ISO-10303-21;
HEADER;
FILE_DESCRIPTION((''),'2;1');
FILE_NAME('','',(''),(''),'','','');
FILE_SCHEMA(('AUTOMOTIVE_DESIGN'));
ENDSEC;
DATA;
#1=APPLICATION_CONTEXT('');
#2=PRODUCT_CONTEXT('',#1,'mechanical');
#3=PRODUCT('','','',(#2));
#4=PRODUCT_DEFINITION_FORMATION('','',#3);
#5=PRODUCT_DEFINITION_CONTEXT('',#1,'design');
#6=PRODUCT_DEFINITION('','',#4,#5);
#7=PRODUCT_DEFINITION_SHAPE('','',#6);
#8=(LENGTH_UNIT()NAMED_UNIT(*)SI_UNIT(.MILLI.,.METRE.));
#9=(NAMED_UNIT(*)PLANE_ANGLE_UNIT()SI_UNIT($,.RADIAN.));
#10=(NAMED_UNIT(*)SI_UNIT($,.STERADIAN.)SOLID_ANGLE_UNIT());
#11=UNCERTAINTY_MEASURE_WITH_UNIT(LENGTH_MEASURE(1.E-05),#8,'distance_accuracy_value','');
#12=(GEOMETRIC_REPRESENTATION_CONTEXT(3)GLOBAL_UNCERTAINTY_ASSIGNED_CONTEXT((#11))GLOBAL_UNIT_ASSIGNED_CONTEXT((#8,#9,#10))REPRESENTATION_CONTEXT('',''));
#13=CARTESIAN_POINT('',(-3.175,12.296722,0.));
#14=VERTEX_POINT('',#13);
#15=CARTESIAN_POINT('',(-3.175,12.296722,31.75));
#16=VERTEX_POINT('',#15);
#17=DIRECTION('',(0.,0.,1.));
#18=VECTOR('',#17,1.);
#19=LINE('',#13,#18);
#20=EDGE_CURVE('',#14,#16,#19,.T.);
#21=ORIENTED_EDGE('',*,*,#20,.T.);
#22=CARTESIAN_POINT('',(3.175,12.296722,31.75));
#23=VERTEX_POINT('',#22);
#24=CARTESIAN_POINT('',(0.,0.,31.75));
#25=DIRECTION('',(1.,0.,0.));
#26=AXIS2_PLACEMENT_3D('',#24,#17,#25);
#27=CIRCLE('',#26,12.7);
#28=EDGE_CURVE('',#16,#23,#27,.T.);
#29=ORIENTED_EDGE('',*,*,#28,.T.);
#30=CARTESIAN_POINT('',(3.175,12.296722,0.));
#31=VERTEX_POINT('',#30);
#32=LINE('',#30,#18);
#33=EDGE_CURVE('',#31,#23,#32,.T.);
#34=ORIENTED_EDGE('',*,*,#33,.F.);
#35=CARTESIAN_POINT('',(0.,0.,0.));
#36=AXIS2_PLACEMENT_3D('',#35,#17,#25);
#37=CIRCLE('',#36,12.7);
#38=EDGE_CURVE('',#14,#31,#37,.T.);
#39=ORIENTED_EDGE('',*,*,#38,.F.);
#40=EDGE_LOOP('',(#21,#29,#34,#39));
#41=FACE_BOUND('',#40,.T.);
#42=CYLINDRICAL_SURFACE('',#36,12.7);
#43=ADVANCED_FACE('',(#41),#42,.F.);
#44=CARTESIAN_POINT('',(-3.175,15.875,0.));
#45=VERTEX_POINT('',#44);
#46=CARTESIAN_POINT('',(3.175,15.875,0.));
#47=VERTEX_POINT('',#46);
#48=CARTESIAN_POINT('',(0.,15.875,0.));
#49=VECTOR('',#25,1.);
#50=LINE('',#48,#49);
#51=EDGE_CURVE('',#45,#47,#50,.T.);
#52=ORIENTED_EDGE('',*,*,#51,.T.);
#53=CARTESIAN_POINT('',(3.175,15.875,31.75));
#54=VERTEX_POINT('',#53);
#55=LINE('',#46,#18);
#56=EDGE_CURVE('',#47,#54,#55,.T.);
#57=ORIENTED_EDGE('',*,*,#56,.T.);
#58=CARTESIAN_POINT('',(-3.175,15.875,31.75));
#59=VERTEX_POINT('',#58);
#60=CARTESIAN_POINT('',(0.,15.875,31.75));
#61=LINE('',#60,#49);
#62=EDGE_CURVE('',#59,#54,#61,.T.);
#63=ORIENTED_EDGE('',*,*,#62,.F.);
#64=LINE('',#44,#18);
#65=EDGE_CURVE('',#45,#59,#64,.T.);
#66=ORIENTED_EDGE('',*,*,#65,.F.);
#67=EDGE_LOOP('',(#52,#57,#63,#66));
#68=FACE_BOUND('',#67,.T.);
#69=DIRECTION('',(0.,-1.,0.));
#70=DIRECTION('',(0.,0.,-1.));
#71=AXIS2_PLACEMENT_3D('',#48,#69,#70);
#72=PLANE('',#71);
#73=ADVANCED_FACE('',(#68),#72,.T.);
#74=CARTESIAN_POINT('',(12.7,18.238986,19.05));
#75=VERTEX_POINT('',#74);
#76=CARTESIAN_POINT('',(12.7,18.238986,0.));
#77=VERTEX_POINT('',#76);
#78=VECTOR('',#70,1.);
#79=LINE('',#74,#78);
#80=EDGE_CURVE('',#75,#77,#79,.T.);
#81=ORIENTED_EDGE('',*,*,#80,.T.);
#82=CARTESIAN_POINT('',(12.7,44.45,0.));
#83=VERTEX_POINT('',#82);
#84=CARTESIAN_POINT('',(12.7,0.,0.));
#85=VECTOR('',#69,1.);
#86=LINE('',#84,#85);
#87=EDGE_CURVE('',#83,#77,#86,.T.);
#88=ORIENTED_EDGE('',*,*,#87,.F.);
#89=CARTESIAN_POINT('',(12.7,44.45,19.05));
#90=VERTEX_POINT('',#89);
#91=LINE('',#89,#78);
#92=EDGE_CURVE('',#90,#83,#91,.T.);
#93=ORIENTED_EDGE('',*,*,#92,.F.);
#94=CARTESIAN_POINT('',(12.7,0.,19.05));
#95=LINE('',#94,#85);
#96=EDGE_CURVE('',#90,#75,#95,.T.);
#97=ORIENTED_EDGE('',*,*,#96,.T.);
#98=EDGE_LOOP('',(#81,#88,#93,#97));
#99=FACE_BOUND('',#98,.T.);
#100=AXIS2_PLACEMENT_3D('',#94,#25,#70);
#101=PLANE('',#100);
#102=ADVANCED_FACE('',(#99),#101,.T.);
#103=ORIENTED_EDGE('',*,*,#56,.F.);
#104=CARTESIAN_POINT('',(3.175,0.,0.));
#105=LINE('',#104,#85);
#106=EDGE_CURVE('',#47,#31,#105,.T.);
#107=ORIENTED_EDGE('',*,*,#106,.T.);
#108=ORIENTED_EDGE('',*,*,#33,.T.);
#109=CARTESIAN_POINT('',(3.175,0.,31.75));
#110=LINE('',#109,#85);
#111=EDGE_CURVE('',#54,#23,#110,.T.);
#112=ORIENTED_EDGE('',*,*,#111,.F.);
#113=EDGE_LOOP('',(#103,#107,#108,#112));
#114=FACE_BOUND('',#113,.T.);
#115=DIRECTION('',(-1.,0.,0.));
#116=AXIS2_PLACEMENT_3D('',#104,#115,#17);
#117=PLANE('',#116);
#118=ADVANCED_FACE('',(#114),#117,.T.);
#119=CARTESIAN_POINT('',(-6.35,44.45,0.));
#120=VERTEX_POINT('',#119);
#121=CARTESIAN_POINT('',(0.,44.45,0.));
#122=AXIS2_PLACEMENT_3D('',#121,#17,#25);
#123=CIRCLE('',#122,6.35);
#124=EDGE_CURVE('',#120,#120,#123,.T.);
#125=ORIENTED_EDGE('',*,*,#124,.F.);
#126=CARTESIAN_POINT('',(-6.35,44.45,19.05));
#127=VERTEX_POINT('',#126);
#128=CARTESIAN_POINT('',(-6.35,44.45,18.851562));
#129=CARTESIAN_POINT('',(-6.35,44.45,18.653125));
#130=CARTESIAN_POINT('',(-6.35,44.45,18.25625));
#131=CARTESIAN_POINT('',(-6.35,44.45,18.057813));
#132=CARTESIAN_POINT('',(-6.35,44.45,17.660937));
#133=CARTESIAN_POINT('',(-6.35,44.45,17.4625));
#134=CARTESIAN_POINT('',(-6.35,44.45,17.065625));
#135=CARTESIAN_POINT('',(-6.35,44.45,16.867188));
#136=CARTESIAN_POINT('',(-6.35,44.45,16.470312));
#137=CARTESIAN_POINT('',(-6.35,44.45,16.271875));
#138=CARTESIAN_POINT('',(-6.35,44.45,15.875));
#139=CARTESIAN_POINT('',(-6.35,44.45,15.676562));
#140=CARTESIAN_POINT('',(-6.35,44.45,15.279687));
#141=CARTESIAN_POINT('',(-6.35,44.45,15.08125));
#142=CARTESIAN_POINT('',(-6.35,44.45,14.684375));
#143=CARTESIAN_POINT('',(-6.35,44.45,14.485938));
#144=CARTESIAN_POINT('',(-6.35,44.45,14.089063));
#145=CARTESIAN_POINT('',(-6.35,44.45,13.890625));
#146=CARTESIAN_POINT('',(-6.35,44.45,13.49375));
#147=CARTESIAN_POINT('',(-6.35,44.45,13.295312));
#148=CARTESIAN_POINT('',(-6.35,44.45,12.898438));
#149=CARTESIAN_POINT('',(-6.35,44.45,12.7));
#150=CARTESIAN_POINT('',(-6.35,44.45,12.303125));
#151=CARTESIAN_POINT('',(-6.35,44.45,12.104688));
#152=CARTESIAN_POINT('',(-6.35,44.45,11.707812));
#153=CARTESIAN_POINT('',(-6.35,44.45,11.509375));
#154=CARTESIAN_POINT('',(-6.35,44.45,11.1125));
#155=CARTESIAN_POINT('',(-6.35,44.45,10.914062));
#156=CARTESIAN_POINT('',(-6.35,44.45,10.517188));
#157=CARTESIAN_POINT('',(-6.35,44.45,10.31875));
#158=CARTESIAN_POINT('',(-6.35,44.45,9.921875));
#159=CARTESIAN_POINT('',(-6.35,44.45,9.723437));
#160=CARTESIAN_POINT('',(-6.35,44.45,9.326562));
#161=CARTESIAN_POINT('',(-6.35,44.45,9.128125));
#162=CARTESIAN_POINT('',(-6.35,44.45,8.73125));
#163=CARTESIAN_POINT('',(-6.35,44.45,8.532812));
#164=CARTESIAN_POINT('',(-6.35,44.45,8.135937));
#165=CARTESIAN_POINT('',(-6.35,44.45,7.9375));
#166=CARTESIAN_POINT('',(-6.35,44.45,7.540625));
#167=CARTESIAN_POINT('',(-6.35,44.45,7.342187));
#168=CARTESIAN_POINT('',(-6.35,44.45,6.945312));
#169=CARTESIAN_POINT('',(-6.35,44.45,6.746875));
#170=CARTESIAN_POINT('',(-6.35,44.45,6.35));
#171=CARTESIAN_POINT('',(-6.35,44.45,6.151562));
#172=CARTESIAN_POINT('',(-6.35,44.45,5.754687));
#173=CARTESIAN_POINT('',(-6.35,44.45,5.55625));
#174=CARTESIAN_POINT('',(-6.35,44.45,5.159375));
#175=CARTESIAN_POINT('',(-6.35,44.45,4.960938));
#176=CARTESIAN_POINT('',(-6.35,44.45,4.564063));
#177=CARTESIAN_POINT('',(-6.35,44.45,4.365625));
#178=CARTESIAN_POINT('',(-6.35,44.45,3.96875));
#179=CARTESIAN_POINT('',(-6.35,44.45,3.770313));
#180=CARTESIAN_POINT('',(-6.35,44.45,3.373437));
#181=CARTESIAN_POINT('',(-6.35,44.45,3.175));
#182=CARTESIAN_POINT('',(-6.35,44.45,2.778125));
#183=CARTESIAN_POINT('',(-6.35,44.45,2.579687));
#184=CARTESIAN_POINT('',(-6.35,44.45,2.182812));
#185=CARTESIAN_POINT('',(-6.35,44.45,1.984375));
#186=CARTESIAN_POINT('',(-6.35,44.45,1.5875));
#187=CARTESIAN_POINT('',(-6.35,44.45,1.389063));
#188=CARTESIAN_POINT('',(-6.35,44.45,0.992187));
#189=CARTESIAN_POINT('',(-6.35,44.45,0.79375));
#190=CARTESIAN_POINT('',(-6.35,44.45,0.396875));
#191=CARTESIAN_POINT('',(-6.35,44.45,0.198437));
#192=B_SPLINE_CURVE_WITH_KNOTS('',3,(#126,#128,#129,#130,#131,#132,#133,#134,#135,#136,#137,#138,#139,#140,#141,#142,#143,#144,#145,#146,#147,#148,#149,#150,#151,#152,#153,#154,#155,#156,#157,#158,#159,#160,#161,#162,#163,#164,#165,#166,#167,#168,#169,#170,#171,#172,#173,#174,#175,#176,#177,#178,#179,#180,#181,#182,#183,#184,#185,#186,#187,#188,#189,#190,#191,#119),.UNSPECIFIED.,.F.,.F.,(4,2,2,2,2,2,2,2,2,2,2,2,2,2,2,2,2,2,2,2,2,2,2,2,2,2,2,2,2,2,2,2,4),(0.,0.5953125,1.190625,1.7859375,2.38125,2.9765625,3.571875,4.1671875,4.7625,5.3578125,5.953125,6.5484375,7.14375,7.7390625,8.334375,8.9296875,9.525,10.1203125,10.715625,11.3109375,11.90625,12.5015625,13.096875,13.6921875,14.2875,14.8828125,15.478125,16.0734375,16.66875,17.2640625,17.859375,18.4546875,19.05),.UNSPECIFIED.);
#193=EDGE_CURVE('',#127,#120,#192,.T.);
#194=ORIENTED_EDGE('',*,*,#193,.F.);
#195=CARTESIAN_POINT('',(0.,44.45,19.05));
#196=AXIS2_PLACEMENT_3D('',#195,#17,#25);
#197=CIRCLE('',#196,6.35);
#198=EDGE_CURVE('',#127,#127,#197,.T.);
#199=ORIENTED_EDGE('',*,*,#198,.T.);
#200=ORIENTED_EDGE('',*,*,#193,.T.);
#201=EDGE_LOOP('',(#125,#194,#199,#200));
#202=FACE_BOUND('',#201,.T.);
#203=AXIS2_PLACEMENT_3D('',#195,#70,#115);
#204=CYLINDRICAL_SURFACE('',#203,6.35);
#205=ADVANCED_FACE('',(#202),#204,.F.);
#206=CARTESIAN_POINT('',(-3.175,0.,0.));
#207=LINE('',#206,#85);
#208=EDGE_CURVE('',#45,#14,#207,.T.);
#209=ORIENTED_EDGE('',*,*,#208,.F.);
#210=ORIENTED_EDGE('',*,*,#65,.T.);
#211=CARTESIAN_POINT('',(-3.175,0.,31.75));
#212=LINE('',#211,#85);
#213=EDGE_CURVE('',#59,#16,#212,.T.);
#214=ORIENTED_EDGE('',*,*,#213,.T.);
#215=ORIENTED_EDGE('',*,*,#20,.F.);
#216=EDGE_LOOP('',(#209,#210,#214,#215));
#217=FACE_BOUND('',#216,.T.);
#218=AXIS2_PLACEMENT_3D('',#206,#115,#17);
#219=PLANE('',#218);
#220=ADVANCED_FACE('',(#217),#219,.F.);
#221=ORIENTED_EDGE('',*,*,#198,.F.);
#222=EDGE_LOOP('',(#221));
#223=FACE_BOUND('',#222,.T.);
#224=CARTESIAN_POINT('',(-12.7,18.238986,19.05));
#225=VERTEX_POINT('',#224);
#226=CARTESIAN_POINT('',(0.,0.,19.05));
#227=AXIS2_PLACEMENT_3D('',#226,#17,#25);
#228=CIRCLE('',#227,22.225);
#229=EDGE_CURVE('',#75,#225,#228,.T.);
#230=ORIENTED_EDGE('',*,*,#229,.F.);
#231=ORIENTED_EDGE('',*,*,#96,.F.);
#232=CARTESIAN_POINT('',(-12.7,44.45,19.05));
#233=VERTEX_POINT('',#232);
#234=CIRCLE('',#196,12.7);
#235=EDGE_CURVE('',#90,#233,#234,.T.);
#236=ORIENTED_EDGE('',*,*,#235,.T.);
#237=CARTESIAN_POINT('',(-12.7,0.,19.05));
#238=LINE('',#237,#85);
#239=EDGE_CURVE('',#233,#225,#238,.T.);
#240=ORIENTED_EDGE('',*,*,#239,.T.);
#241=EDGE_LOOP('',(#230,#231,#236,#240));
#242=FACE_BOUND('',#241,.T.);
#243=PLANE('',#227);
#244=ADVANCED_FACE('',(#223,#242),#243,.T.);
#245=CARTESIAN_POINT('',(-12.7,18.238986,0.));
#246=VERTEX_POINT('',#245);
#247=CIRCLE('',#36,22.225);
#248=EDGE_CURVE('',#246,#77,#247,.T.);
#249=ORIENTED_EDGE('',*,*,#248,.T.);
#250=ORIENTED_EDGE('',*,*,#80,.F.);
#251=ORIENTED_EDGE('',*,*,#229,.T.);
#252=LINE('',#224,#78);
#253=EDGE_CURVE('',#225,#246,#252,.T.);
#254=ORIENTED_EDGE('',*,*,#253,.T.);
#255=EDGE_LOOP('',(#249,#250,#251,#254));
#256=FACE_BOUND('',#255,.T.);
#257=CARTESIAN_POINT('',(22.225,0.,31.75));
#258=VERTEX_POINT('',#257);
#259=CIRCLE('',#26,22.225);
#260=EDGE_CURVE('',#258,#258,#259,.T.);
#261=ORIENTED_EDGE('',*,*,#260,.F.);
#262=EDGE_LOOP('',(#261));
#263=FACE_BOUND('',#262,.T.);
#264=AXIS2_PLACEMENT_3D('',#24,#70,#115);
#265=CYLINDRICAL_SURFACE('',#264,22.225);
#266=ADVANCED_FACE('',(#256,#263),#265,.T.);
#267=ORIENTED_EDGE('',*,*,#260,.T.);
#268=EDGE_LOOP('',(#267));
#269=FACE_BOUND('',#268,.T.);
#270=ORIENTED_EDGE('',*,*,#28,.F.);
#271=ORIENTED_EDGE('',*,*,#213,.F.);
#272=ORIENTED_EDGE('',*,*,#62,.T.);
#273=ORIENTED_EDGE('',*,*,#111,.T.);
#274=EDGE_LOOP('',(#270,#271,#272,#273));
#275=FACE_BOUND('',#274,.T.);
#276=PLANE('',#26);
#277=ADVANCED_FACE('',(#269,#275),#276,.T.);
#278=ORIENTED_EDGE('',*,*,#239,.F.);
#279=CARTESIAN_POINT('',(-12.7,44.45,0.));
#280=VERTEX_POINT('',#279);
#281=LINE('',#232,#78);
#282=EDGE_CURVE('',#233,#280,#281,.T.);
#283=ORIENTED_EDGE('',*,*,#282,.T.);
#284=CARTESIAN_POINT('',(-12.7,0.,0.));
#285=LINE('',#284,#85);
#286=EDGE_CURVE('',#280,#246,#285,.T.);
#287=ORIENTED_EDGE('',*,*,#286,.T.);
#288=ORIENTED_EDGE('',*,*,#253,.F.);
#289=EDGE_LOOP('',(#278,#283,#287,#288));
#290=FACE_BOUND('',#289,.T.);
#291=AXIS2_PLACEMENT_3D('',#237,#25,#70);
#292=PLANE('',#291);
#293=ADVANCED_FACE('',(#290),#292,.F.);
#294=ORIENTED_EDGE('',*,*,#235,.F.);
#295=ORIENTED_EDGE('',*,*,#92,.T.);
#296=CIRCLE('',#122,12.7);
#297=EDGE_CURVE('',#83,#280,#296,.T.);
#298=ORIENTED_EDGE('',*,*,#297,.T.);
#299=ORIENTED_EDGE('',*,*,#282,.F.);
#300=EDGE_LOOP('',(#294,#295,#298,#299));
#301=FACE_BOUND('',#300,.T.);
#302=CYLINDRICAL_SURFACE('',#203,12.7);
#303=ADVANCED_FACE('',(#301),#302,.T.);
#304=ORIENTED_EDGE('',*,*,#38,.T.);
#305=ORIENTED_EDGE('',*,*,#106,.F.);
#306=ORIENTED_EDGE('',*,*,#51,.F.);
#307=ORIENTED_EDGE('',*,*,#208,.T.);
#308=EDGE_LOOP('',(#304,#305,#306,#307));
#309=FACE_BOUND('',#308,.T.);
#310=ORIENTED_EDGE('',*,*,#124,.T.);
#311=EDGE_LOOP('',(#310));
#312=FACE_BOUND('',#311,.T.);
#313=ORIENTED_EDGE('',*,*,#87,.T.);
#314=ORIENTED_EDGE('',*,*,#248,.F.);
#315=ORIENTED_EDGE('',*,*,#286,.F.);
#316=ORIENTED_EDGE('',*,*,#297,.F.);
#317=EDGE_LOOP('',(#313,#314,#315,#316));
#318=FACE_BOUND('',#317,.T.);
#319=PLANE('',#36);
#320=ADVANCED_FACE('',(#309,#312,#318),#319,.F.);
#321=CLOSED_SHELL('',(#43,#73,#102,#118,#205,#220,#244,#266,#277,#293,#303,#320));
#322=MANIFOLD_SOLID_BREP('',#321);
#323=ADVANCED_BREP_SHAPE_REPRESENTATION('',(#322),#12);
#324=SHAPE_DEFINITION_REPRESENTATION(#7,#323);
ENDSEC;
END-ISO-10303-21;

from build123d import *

# Parameters (mm, degrees)
SKETCH1_R           = 22.225
BOSS_EXTRUDE1_DEPTH = 31.75
SKETCH1_3_R         = 6.35
BOSS_EXTRUDE2_DEPTH = 19.05
CUT_EXTRUDE1_DEPTH  = 70.051688068


with BuildPart() as part:
    # Sketch1 → Boss-Extrude1 (new body)
    with BuildSketch(Plane.XY):
        Circle(SKETCH1_R)
    extrude(amount=BOSS_EXTRUDE1_DEPTH)

    # Sketch1<3> → Boss-Extrude2 (add)
    with BuildSketch(Plane.XY):
        with BuildLine():
            ThreePointArc((12.7, 44.45), (0, 57.15), (-12.7, 44.45))
            Line((-12.7, 44.45), (-12.7, 18.238986403))
            ThreePointArc((-12.7, 18.238986403), (0, 22.225), (12.7, 18.238986403))
            Line((12.7, 18.238986403), (12.7, 44.45))
        make_face()
        with Locations(Location((0, 44.45, 0), (0, 0, 180))):
            Circle(SKETCH1_3_R, mode=Mode.SUBTRACT)
    extrude(amount=BOSS_EXTRUDE2_DEPTH)

    # Sketch2 → Cut-Extrude1 (cut, through all)
    with BuildSketch(Plane.XY.offset(31.75)):
        with BuildLine():
            Line((0, 15.875), (0, -12.7))
            ThreePointArc((0, -12.7), (12.598777143, -1.600254515), (3.175, 12.296722124))
            Line((3.175, 12.296722124), (3.175, 15.875))
            Line((3.175, 15.875), (0, 15.875))
        make_face()
        with BuildLine():
            ThreePointArc((-3.175, 12.296722124), (-12.598777143, -1.600254515), (0, -12.7))
            Line((0, -12.7), (0, 15.875))
            Line((0, 15.875), (-3.175, 15.875))
            Line((-3.175, 15.875), (-3.175, 12.296722124))
        make_face()
    extrude(amount=-CUT_EXTRUDE1_DEPTH, mode=Mode.SUBTRACT)


solid = part.part
